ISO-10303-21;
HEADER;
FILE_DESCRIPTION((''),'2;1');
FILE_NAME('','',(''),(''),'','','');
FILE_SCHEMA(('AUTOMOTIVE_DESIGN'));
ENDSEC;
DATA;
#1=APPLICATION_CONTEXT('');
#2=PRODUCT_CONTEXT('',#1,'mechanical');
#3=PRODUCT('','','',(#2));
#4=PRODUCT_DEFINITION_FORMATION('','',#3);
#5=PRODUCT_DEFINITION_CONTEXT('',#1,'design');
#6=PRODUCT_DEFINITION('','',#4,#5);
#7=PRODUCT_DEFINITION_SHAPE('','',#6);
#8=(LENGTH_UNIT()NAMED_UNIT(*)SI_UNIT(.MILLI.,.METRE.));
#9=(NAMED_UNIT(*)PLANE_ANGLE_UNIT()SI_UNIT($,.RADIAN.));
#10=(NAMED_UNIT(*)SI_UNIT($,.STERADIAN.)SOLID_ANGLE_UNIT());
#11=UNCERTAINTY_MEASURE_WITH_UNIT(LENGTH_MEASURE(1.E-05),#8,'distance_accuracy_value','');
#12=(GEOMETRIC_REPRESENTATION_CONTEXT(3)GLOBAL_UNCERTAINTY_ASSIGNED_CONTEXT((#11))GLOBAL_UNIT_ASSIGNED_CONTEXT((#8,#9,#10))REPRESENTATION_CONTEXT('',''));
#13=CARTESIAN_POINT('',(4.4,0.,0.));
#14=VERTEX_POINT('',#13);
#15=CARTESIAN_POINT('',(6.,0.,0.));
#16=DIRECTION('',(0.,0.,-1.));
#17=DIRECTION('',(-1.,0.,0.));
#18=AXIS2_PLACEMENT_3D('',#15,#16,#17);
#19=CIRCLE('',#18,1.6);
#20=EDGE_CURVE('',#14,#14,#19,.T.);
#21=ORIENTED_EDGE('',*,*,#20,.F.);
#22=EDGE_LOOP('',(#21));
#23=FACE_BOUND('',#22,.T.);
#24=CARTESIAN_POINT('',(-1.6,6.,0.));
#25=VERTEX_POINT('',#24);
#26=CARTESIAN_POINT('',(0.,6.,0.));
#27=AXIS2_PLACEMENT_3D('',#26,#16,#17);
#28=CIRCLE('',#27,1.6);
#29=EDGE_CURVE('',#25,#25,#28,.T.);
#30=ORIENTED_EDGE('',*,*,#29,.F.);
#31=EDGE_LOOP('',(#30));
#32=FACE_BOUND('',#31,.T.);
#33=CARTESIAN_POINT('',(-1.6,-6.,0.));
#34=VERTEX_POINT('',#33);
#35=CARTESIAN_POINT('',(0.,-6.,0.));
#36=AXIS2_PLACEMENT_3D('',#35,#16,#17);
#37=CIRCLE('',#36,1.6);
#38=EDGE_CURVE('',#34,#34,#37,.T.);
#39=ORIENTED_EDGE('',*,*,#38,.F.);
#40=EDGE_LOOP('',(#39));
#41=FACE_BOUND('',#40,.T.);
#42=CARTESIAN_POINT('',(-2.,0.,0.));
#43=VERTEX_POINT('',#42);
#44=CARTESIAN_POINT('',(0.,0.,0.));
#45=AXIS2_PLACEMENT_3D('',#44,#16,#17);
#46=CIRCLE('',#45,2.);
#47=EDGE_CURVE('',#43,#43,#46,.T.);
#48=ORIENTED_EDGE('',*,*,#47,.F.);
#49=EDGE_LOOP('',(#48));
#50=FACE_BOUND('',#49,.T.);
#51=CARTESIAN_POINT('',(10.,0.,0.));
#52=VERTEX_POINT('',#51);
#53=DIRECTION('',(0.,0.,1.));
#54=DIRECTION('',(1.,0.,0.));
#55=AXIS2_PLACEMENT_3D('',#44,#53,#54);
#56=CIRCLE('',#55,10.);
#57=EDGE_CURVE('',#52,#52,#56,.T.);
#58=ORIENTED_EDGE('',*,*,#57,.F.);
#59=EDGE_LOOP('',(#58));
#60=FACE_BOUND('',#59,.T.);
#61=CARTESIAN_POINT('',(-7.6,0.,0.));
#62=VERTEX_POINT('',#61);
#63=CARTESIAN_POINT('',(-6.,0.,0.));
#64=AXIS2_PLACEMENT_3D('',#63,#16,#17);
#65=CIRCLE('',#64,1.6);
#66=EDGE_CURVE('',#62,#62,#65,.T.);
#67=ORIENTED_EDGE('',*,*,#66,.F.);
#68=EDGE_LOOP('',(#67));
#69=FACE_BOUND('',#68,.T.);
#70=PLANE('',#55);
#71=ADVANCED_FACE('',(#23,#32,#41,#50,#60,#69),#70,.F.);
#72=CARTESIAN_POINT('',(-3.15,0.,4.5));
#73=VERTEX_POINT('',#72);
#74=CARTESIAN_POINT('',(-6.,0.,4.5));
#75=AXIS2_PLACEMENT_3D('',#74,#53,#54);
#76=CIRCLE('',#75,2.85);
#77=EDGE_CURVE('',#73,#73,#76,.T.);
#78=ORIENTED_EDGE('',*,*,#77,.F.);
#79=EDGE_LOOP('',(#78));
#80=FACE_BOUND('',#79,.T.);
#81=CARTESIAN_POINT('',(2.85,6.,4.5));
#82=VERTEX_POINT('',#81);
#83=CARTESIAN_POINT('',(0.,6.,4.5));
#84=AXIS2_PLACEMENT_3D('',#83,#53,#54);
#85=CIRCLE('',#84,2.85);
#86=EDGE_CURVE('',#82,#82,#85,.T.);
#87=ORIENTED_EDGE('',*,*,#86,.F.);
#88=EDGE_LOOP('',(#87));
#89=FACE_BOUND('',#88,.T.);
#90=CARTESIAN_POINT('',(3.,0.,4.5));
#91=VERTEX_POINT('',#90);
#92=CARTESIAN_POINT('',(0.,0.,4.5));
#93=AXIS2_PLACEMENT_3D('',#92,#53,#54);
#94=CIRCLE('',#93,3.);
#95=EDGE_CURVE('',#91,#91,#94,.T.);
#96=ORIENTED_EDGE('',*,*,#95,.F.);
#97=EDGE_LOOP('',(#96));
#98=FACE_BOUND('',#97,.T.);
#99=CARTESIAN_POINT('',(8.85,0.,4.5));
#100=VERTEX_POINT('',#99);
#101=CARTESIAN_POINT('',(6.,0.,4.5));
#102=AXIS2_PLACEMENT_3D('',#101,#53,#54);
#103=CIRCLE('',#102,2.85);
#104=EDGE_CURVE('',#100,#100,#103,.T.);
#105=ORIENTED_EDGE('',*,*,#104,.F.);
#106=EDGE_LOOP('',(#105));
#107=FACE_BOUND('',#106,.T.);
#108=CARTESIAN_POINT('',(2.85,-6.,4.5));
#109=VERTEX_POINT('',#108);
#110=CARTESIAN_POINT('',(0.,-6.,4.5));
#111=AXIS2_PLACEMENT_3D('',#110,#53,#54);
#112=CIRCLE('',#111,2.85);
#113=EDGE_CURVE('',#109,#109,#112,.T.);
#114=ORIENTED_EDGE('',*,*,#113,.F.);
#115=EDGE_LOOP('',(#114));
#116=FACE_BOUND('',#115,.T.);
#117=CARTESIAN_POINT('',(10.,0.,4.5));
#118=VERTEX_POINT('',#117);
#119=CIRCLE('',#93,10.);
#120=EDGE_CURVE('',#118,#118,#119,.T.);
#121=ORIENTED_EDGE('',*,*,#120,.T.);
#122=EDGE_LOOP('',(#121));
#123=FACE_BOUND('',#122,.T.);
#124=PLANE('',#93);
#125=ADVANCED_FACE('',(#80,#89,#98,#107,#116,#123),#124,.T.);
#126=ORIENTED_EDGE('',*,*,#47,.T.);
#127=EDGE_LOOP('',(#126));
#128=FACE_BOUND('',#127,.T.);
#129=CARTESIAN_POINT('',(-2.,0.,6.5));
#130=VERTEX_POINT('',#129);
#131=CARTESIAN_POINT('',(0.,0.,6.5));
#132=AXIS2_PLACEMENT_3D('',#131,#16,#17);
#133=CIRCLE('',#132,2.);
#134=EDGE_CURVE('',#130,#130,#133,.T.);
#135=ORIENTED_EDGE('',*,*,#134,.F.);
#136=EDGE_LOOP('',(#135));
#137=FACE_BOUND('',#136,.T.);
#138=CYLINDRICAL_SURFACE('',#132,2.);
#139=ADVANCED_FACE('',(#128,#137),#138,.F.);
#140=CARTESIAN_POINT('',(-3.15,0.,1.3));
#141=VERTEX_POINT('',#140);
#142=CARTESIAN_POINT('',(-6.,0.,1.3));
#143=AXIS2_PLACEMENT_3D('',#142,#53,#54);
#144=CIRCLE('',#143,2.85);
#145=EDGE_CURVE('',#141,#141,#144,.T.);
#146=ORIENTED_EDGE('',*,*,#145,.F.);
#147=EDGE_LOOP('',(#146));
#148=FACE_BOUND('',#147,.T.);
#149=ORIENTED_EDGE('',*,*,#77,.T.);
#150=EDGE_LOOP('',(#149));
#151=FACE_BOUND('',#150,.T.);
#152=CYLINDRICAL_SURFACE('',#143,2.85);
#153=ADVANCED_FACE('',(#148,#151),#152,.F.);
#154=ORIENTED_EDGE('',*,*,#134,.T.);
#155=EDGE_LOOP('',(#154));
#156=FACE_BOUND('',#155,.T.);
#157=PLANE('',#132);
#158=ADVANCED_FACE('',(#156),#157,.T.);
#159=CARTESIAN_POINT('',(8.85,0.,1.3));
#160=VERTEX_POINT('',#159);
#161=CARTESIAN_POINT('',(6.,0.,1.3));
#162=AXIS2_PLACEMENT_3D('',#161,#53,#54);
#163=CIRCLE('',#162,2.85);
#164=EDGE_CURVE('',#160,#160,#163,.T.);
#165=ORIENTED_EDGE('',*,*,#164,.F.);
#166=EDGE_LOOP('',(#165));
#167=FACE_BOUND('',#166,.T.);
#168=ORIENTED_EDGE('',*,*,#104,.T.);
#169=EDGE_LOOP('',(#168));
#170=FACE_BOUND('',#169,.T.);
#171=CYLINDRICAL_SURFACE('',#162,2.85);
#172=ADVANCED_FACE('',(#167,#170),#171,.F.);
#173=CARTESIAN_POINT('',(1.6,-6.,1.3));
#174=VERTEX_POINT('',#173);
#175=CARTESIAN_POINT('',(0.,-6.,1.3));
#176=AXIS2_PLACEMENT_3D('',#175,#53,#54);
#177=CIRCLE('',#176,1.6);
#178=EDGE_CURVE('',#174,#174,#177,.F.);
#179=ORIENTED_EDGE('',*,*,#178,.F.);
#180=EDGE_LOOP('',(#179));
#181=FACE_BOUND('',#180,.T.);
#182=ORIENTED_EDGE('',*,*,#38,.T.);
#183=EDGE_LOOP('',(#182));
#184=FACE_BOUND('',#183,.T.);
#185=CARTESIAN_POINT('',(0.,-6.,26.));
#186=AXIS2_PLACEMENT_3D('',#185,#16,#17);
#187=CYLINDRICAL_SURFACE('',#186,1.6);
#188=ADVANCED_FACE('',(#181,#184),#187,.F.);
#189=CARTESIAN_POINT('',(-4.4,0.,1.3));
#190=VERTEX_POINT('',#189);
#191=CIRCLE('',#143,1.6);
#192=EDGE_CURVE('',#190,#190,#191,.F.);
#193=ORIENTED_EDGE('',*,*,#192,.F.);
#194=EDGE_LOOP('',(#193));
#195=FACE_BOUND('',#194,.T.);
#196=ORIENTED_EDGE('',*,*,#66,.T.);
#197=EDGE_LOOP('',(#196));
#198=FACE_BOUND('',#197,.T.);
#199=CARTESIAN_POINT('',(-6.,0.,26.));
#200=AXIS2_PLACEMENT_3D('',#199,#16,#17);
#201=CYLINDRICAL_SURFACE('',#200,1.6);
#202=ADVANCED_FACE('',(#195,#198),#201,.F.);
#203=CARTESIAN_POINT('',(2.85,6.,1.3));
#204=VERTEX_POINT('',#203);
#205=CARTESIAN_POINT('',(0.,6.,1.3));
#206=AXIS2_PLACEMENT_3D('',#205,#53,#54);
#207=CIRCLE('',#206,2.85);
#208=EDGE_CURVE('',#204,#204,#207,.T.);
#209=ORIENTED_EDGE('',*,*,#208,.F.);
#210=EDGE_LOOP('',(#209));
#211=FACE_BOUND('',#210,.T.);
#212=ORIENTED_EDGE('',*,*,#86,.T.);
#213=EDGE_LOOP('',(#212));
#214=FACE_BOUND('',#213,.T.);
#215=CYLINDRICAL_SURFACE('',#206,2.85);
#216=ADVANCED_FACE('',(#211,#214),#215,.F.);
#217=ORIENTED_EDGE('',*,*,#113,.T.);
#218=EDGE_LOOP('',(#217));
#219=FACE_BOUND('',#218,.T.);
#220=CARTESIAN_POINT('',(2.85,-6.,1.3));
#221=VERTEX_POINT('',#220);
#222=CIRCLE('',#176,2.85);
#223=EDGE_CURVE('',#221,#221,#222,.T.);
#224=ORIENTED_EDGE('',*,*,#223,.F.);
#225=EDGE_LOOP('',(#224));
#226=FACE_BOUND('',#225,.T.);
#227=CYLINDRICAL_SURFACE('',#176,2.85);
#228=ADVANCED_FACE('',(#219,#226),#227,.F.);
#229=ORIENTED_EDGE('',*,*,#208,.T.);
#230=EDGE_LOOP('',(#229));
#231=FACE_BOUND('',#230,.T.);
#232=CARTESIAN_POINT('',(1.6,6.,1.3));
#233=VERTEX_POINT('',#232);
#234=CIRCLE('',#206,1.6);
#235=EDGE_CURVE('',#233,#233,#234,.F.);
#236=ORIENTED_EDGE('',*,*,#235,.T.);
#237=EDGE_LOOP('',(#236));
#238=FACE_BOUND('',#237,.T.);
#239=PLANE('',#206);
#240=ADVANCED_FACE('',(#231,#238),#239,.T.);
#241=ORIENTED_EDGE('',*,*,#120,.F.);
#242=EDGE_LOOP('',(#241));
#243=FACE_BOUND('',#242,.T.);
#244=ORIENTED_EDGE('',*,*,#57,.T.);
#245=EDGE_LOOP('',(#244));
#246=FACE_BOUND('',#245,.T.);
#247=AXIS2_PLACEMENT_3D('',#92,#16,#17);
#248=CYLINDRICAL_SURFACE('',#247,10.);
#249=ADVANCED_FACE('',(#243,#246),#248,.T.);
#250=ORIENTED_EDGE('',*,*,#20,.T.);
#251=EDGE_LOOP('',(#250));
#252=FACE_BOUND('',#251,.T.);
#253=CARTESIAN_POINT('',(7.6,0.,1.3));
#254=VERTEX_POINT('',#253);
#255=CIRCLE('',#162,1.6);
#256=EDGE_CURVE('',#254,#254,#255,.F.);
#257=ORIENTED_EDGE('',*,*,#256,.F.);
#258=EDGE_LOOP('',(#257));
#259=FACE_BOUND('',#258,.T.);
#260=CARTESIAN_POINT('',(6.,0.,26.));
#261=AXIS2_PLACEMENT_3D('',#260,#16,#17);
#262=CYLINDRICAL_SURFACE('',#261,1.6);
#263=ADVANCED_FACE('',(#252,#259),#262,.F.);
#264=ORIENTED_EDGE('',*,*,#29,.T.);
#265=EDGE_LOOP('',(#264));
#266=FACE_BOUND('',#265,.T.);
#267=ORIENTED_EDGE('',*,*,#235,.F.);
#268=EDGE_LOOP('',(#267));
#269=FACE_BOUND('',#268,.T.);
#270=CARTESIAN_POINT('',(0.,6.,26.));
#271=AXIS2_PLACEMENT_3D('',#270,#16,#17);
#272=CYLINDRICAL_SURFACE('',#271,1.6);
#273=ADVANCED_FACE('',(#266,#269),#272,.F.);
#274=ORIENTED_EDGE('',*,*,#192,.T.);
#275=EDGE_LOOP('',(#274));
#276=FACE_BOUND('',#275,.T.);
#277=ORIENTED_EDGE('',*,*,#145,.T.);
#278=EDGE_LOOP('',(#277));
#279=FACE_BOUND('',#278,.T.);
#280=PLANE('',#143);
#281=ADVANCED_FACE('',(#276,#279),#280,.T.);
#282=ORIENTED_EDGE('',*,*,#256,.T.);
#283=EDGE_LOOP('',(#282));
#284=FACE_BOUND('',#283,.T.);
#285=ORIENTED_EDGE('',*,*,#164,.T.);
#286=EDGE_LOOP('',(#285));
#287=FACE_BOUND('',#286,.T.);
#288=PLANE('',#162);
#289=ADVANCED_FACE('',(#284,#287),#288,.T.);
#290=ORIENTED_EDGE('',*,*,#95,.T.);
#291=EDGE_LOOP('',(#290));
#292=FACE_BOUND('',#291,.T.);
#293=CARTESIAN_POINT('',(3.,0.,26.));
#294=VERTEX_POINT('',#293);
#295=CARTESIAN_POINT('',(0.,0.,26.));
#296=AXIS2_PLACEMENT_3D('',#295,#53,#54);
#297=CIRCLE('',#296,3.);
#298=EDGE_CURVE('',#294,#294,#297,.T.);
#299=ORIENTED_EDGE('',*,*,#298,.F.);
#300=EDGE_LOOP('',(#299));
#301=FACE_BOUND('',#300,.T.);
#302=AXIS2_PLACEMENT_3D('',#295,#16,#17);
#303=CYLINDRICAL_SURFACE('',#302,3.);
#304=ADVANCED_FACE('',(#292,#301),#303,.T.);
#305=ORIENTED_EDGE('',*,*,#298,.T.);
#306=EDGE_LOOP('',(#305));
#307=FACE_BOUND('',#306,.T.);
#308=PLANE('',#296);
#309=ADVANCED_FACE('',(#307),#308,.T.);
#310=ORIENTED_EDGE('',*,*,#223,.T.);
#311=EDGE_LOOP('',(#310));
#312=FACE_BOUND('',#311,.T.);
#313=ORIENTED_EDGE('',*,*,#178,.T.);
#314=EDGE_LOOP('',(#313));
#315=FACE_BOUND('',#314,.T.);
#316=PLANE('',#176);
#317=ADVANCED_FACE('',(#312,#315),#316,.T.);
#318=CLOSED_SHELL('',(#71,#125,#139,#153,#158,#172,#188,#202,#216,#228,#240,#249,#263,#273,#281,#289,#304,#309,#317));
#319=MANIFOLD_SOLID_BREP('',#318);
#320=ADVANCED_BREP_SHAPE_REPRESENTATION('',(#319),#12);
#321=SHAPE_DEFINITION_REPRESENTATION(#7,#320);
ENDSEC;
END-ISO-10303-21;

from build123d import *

# Parameters (mm, degrees)
SKETCH1_R           = 10
BOSS_EXTRUDE1_DEPTH = 4.5
SKETCH2_R           = 3
BOSS_EXTRUDE2_DEPTH = 21.5
SKETCH3_R           = 2
CUT_EXTRUDE1_DEPTH  = 6.5
SKETCH4_R           = 1.6
CUT_EXTRUDE2_DEPTH  = 27
SKETCH5_R           = 2.85
CUT_EXTRUDE3_DEPTH  = 3.2


with BuildPart() as part:
    # Sketch1 → Boss-Extrude1 (new body)
    with BuildSketch(Plane.XY):
        Circle(SKETCH1_R)
    extrude(amount=BOSS_EXTRUDE1_DEPTH)

    # Sketch2 → Boss-Extrude2 (add)
    with BuildSketch(Plane.XY.offset(4.5)):
        Circle(SKETCH2_R)
    extrude(amount=BOSS_EXTRUDE2_DEPTH)

    # Sketch3 → Cut-Extrude1 (cut)
    with BuildSketch(Plane(origin=(0, 0, 0), x_dir=(-1, 0, 0), z_dir=(0, 0, -1))):
        Circle(SKETCH3_R)
    extrude(amount=-CUT_EXTRUDE1_DEPTH, mode=Mode.SUBTRACT)

    # Sketch4 → Cut-Extrude2 (cut, through all)
    with BuildSketch(Plane(origin=(0, 0, 0), x_dir=(-1, 0, 0), z_dir=(0, 0, -1))):
        with Locations((0, 6)):
            Circle(SKETCH4_R)
        with Locations((6, 0)):
            Circle(SKETCH4_R)
        with Locations((0, -6)):
            Circle(SKETCH4_R)
        with Locations((-6, 0)):
            Circle(SKETCH4_R)
    extrude(amount=-CUT_EXTRUDE2_DEPTH, mode=Mode.SUBTRACT)

    # Sketch5 → Cut-Extrude3 (cut)
    with BuildSketch(Plane.XY.offset(4.5)):
        with Locations((0, 6)):
            Circle(SKETCH5_R)
        with Locations((6, 0)):
            Circle(SKETCH5_R)
        with Locations((0, -6)):
            Circle(SKETCH5_R)
        with Locations((-6, 0)):
            Circle(SKETCH5_R)
    extrude(amount=-CUT_EXTRUDE3_DEPTH, mode=Mode.SUBTRACT)


solid = part.part
